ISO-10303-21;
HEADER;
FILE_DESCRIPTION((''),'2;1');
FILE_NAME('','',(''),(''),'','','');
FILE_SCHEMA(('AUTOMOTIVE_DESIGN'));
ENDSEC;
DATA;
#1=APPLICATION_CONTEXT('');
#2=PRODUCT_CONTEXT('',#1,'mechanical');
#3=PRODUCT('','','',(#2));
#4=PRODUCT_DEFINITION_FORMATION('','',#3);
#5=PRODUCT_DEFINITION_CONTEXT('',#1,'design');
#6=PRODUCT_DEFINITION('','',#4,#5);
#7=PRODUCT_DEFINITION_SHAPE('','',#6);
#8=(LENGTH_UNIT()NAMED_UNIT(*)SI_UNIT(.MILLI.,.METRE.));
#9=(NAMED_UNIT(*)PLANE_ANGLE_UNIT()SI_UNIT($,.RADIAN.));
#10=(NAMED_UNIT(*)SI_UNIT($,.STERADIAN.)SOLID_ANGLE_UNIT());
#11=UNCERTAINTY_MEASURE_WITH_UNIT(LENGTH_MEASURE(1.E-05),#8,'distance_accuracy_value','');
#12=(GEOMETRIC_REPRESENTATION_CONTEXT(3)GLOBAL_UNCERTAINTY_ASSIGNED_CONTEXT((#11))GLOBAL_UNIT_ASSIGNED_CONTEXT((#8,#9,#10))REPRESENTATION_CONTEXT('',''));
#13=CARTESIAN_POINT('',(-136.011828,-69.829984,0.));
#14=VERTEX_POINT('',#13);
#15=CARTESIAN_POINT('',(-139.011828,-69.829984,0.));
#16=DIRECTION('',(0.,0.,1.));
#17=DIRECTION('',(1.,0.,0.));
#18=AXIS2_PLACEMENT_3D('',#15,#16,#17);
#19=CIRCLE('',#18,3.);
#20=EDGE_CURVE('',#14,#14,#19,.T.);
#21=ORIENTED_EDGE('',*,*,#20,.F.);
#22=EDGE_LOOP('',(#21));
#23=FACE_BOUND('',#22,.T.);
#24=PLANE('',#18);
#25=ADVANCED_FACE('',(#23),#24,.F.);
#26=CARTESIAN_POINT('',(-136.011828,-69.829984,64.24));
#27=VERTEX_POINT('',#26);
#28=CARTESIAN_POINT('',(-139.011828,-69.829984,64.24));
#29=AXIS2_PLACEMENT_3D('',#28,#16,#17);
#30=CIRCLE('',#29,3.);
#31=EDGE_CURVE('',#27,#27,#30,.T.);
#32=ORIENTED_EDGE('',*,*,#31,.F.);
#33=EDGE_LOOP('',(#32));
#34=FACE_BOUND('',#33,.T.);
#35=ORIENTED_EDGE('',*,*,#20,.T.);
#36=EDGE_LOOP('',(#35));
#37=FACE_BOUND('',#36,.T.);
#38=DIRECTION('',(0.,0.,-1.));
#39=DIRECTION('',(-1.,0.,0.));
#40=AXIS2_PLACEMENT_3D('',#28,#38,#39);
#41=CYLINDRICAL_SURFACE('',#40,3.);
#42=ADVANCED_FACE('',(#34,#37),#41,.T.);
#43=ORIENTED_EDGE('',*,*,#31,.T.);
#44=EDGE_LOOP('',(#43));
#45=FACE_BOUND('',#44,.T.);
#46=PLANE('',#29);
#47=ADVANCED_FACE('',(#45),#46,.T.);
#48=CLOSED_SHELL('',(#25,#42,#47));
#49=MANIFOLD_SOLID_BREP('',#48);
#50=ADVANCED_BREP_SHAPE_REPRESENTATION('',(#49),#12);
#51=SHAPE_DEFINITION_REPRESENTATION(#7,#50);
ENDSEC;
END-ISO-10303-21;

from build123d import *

# Parameters (mm, degrees)
SKETCH1_R           = 3
BOSS_EXTRUDE1_DEPTH = 64.24


with BuildPart() as part:
    # Sketch1 → Boss-Extrude1 (new body)
    with BuildSketch(Plane.XY):
        with Locations((-139.011827936, -69.82998441)):
            Circle(SKETCH1_R)
    extrude(amount=BOSS_EXTRUDE1_DEPTH)


solid = part.part
